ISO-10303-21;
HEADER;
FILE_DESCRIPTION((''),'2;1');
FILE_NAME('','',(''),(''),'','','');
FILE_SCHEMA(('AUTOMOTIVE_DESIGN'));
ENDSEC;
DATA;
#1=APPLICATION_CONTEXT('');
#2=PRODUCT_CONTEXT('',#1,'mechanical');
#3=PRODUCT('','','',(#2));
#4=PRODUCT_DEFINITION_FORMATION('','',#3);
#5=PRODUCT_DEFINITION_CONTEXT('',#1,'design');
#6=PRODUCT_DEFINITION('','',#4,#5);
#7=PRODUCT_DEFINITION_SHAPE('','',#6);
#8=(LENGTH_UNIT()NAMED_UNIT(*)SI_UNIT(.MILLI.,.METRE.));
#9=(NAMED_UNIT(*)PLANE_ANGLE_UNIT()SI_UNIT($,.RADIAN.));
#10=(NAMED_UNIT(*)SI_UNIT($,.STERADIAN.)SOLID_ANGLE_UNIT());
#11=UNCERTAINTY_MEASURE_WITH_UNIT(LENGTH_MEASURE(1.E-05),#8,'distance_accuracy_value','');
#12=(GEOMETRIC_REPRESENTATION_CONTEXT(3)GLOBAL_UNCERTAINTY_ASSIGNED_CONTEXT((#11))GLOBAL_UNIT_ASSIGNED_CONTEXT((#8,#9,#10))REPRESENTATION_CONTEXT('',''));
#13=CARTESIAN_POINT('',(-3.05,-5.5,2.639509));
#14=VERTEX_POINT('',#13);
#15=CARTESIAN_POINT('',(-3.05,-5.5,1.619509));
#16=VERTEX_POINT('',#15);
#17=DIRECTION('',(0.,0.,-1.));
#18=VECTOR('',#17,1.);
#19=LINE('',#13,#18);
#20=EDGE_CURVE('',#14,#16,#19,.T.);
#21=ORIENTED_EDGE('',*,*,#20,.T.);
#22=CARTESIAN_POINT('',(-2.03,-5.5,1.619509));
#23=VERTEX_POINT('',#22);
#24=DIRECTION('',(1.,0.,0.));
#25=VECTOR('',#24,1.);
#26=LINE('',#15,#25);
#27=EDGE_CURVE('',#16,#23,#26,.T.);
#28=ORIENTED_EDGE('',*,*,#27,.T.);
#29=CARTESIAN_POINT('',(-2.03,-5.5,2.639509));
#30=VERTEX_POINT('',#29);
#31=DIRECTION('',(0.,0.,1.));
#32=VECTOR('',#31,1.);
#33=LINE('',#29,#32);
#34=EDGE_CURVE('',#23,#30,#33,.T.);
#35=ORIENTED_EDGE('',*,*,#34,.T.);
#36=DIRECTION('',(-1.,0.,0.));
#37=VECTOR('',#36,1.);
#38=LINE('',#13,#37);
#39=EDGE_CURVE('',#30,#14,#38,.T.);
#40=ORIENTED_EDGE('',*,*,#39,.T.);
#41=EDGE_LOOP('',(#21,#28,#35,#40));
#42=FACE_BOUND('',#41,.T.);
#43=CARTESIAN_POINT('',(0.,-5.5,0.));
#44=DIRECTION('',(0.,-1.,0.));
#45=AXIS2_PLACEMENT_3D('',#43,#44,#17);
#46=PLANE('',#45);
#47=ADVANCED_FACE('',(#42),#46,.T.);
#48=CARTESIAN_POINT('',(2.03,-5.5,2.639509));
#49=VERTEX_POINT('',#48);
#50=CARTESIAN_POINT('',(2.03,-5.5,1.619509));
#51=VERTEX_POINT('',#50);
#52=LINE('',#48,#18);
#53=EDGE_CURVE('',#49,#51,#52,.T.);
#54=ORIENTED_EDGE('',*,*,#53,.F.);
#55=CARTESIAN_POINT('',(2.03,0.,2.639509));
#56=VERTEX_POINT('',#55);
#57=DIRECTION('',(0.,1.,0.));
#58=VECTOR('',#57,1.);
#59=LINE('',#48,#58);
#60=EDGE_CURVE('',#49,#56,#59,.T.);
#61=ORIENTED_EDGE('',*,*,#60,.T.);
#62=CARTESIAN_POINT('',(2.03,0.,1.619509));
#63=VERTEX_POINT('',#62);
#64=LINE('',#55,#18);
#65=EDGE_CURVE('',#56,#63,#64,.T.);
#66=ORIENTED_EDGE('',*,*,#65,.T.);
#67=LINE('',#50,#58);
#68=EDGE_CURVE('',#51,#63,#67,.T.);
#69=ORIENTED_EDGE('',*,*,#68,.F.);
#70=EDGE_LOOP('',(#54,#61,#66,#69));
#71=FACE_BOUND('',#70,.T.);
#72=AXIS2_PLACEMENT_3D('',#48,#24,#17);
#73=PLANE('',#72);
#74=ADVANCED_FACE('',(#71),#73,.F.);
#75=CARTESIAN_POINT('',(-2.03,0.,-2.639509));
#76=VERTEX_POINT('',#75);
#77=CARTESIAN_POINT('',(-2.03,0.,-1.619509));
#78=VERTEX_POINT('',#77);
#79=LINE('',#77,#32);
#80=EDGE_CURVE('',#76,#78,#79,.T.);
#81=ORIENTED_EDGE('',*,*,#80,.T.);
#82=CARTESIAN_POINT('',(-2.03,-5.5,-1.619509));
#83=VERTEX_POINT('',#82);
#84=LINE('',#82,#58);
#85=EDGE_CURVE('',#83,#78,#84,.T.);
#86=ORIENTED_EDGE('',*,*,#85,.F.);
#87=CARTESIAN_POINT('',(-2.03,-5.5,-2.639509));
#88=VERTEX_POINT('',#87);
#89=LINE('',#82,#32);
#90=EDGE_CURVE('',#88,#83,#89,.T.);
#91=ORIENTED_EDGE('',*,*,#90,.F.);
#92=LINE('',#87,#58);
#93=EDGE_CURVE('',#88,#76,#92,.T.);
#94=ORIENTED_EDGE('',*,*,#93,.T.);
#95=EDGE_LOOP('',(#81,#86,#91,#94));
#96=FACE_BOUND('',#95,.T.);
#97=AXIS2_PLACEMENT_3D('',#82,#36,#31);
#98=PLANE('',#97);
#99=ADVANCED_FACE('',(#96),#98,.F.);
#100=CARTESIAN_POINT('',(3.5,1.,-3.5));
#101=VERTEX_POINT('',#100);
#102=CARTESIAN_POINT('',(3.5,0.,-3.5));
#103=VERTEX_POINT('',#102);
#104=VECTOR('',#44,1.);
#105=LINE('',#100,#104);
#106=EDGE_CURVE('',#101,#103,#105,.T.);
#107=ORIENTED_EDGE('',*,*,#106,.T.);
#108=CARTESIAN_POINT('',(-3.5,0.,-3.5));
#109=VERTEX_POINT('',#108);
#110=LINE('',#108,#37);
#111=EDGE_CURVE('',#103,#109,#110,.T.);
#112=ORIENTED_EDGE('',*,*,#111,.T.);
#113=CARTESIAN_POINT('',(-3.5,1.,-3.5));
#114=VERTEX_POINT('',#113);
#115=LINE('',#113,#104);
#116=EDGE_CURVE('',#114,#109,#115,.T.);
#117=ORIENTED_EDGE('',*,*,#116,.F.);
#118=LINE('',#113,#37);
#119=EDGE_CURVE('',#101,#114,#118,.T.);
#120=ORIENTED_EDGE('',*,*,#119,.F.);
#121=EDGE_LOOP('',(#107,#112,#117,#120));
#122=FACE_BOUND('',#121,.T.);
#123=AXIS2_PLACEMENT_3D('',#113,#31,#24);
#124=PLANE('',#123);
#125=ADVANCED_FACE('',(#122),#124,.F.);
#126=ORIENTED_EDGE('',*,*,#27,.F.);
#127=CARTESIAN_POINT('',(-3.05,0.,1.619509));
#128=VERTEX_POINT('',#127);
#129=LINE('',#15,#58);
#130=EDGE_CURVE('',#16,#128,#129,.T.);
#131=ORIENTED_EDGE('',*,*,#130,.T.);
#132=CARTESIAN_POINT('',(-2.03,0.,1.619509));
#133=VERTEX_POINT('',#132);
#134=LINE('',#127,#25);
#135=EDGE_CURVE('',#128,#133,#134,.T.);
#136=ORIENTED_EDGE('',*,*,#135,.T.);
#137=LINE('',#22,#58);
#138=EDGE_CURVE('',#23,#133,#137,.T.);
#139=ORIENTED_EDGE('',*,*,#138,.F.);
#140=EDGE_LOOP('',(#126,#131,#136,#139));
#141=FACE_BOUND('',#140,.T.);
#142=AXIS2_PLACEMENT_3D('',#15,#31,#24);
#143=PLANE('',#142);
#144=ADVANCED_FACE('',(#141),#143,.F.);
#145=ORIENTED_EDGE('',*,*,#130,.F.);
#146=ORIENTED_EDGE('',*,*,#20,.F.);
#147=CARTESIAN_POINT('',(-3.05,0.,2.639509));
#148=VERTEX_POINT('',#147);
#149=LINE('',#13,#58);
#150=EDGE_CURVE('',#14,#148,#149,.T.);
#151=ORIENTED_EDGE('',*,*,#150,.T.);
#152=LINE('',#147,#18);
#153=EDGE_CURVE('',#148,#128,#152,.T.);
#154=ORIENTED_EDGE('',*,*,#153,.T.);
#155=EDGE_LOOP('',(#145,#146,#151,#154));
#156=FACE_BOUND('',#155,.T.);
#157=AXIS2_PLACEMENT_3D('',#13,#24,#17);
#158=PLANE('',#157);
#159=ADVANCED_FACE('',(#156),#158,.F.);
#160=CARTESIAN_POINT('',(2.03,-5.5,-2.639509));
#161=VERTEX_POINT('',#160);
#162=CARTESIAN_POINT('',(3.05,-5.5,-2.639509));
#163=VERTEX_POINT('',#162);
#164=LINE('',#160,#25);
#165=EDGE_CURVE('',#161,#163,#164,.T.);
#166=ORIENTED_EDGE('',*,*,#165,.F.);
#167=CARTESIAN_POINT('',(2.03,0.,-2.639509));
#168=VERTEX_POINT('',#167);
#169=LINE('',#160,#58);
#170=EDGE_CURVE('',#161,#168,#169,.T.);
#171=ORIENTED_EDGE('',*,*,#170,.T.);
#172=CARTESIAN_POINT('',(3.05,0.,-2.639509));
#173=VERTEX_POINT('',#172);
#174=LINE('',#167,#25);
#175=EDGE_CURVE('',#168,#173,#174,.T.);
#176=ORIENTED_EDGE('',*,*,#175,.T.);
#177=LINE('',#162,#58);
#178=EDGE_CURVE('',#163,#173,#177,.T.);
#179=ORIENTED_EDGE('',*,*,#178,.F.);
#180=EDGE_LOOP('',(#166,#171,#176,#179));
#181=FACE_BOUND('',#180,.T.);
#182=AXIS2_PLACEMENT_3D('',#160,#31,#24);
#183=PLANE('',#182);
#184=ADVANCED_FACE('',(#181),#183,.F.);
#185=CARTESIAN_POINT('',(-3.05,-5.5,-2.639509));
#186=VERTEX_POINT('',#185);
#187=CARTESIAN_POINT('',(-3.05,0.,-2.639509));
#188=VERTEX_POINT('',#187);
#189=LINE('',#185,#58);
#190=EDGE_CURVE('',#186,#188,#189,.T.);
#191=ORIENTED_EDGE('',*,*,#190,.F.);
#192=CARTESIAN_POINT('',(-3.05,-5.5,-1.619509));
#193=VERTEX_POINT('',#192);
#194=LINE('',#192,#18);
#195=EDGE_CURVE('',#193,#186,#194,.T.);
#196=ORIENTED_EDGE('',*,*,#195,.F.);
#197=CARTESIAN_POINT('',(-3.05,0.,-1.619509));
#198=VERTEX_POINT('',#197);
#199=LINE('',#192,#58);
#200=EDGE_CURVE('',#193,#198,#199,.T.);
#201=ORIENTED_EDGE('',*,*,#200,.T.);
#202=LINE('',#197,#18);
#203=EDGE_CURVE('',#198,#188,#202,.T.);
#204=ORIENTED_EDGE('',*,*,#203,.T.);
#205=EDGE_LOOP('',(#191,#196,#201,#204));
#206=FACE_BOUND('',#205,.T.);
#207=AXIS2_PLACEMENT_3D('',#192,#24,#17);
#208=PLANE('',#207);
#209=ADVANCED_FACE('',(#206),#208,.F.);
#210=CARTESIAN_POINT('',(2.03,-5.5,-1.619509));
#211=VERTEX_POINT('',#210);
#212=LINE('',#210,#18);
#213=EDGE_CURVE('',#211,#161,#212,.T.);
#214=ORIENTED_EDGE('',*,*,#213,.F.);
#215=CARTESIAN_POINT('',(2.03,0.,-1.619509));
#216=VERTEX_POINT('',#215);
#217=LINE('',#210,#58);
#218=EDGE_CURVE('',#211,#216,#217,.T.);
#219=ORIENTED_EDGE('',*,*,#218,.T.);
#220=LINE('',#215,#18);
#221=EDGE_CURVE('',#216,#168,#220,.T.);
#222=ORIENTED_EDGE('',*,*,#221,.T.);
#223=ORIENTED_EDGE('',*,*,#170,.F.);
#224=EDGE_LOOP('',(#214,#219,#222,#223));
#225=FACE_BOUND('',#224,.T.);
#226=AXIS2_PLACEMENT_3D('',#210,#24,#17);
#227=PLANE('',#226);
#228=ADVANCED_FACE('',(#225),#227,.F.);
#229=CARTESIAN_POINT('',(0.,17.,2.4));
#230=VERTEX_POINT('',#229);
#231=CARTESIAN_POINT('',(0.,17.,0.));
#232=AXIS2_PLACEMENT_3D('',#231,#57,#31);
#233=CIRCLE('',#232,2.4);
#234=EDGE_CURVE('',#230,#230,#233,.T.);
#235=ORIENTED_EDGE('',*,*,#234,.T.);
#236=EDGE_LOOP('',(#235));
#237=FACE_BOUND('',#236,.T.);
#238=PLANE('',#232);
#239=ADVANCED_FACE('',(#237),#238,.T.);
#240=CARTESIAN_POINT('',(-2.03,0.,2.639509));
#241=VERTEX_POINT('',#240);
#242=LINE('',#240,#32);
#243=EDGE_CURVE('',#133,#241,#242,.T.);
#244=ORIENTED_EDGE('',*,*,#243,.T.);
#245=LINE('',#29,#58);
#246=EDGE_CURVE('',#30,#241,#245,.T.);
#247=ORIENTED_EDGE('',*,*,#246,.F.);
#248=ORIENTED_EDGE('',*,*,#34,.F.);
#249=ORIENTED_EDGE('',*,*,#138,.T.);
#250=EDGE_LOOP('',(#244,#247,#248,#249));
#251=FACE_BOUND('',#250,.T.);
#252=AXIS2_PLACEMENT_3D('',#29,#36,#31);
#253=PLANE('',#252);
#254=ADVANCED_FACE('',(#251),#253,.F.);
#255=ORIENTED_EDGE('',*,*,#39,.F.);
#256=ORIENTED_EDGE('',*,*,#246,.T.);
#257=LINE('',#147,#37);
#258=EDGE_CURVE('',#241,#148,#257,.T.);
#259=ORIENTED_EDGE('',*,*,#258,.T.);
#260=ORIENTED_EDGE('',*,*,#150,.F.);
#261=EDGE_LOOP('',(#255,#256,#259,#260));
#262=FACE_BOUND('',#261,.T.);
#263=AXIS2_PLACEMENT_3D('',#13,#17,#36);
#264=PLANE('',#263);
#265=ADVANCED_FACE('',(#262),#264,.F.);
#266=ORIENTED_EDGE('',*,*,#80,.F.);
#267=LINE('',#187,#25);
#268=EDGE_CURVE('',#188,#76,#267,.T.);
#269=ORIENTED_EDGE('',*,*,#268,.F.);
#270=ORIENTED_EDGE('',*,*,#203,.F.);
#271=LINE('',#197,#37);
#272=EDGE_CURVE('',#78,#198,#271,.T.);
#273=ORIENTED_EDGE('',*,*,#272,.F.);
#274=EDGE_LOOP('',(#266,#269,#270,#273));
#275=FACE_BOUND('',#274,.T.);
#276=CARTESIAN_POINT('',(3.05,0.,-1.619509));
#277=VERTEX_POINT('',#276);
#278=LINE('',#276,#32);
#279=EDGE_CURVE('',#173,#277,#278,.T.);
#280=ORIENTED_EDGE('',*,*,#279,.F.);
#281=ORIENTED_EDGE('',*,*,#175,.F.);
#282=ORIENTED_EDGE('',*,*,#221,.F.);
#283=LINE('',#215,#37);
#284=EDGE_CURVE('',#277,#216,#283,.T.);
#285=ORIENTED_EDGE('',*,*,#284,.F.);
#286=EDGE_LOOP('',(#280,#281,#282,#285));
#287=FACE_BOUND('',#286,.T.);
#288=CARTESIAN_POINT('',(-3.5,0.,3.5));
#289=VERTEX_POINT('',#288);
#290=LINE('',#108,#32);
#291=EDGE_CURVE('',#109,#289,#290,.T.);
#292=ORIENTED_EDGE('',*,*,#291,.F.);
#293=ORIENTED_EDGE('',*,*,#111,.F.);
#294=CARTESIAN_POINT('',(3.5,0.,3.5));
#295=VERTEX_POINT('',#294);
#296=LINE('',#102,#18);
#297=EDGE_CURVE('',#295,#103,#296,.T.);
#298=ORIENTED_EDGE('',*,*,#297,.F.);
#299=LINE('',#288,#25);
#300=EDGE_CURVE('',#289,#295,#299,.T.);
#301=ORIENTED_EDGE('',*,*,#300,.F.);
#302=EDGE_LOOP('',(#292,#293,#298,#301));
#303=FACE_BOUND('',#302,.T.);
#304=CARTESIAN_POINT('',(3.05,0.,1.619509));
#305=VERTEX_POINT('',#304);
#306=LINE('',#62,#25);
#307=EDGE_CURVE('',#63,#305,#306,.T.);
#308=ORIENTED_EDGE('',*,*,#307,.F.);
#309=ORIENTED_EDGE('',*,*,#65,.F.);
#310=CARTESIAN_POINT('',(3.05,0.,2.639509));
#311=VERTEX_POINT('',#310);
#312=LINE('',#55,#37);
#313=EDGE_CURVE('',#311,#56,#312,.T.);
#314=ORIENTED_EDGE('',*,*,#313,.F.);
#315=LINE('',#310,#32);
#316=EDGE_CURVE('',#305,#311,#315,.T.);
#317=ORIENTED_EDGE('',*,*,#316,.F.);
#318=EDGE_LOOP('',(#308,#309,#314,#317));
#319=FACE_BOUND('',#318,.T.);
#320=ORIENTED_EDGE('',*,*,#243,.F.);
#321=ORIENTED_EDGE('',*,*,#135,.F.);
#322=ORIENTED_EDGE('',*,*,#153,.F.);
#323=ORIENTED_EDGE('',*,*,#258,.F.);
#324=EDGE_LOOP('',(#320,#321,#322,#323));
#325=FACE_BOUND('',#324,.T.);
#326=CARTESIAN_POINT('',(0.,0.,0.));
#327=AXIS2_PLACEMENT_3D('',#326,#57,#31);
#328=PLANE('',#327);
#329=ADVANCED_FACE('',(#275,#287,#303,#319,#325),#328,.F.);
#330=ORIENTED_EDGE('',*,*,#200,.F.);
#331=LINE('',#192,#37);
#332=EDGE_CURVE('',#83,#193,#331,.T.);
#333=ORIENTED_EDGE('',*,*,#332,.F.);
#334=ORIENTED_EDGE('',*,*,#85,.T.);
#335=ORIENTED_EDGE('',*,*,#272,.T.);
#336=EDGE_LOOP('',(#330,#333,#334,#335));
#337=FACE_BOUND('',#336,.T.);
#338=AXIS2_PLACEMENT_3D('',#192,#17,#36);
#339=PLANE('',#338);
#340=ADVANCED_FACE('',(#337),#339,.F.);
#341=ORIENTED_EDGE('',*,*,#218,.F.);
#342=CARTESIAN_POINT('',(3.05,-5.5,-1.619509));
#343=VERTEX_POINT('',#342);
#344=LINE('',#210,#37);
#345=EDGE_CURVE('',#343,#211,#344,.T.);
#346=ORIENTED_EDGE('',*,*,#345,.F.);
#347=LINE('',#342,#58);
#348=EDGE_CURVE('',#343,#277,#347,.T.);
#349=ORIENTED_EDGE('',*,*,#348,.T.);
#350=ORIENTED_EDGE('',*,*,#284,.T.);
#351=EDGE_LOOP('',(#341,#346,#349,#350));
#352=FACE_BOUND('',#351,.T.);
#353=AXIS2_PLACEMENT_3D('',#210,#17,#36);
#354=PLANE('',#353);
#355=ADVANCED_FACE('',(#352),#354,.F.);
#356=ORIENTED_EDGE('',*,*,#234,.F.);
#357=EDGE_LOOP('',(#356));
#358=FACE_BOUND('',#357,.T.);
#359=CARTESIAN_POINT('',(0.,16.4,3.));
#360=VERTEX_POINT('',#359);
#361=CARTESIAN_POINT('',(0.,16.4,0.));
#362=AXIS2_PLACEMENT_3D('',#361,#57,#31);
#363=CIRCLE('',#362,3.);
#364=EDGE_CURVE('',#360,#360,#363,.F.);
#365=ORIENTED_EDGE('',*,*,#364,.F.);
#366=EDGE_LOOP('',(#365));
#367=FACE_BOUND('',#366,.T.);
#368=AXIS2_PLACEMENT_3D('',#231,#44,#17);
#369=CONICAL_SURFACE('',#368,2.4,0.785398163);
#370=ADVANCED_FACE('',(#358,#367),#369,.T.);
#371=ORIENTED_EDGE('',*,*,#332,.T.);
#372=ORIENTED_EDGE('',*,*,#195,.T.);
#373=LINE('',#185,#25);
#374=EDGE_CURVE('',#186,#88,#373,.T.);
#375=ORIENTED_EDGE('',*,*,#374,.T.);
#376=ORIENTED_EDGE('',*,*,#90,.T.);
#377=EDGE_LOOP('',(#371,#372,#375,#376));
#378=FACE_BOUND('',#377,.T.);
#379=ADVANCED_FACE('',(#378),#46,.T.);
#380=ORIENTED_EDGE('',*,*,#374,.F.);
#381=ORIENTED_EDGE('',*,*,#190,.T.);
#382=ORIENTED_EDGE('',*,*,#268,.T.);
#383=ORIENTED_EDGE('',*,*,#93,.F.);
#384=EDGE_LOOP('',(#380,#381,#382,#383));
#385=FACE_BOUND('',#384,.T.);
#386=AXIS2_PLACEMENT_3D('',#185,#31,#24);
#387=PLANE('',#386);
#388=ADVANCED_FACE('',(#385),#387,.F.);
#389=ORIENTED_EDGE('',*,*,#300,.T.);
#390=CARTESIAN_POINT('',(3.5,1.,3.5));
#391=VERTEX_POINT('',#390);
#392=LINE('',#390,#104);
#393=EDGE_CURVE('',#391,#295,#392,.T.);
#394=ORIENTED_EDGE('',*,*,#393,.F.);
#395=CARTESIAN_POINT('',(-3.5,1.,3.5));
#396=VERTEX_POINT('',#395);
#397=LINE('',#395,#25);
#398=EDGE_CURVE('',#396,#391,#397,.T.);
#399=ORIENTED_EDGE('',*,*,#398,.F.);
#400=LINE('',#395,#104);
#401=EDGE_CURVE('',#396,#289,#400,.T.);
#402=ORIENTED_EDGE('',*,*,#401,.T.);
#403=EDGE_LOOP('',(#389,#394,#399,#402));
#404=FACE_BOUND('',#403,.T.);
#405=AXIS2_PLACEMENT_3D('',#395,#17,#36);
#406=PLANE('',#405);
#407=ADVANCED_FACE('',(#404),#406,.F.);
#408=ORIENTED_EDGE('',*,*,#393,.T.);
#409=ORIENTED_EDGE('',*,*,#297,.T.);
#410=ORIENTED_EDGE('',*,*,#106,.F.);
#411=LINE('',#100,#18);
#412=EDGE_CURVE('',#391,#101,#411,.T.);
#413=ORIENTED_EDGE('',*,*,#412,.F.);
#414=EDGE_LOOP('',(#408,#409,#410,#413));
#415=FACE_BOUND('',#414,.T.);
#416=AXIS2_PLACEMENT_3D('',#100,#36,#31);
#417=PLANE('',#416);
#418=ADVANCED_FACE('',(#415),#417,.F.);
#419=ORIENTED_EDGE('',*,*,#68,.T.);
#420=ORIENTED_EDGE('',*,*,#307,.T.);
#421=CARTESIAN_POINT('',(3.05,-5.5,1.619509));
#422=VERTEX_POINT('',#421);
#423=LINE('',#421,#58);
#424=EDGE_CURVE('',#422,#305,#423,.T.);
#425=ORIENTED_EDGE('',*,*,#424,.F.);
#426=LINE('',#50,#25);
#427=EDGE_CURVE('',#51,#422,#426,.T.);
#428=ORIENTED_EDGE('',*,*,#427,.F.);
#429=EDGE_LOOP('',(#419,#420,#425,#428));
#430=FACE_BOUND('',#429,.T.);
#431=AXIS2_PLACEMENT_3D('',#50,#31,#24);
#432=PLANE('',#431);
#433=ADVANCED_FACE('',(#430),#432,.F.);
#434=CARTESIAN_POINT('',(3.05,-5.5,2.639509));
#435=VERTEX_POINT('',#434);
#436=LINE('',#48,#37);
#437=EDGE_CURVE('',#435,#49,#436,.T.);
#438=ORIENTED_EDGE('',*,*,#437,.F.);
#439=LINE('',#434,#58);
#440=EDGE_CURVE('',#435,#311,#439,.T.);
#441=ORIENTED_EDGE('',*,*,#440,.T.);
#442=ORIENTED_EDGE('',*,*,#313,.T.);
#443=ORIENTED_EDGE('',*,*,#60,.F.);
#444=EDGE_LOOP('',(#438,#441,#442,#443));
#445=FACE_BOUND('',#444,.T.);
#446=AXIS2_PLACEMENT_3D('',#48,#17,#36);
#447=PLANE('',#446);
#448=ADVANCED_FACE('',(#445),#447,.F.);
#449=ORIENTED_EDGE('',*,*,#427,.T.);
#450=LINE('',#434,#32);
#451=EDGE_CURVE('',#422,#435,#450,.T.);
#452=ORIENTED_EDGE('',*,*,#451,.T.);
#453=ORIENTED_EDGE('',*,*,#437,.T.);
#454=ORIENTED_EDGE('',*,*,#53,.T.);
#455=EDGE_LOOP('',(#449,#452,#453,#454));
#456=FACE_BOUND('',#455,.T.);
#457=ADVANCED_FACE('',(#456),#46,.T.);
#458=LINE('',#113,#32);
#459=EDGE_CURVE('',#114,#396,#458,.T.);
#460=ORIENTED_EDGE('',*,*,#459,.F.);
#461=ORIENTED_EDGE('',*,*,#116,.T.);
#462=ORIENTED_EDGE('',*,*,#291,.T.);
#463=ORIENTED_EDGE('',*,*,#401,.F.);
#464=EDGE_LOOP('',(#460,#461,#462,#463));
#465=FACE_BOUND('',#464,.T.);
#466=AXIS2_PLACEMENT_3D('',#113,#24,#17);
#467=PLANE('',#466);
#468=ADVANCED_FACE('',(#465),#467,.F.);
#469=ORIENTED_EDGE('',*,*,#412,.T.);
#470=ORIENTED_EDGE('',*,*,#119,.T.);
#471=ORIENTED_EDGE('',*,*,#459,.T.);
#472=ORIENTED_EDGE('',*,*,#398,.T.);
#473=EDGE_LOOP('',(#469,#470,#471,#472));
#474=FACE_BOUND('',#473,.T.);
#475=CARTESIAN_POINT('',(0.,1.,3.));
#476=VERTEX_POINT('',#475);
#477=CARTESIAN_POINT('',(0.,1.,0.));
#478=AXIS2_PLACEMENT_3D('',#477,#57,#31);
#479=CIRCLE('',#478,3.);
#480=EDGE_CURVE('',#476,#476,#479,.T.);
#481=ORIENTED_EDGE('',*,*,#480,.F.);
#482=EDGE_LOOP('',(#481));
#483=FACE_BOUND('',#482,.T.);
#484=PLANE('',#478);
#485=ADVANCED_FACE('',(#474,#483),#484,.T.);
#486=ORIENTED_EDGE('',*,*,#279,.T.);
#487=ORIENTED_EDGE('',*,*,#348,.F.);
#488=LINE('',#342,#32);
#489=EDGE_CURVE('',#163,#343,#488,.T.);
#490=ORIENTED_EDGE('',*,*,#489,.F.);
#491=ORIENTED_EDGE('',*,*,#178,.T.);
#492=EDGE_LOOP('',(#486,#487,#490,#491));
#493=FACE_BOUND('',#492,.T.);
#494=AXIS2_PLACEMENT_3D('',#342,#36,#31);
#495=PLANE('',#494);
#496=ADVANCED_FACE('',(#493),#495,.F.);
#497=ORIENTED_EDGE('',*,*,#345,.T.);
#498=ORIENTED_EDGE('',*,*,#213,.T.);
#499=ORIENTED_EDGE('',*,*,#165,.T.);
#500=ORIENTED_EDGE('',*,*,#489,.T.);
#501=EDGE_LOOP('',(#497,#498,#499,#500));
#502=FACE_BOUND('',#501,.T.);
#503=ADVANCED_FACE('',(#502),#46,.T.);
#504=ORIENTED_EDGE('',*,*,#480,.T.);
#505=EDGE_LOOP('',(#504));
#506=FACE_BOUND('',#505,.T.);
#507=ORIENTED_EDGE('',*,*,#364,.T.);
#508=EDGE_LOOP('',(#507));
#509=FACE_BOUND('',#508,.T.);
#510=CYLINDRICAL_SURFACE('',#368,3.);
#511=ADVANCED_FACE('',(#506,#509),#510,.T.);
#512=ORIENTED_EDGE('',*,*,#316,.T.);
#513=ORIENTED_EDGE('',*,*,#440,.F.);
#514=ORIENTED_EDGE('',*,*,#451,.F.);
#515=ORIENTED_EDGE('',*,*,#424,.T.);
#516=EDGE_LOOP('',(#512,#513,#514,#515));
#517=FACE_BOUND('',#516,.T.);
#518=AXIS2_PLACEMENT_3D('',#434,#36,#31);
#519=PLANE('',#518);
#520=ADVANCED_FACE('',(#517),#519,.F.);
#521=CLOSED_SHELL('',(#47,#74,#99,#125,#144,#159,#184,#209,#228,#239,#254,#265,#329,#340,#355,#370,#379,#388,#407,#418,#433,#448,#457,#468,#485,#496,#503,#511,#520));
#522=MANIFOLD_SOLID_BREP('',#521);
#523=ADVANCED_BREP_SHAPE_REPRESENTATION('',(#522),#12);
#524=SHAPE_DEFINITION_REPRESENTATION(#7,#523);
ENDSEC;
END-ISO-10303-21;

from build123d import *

# Parameters (mm, degrees)
SKETCH1_W           = 7
SKETCH1_H           = 7
BOSS_EXTRUDE1_DEPTH = 1
SKETCH2_W           = 1.02
SKETCH2_H           = 1.02
BOSS_EXTRUDE2_DEPTH = 5.5
SKETCH4_R           = 3
BOSS_EXTRUDE3_DEPTH = 16
CHAMFER1_SIZE       = 0.6


with BuildPart() as part:
    # Sketch1 → Boss-Extrude1 (new body)
    with BuildSketch(Plane(origin=(0, 0, 0), x_dir=(1, 0, 0), z_dir=(0, 1, 0))):
        Rectangle(SKETCH1_W, SKETCH1_H)
    extrude(amount=BOSS_EXTRUDE1_DEPTH)

    # Sketch2 → Boss-Extrude2 (add)
    with BuildSketch(Plane.XZ):
        with Locations((-2.54, 2.129508614)):
            Rectangle(SKETCH2_W, SKETCH2_H)
        with Locations((-2.54, -2.129508614)):
            Rectangle(SKETCH2_W, SKETCH2_H)
        with Locations((2.54, 2.129508614)):
            Rectangle(SKETCH2_W, SKETCH2_H)
        with Locations((2.54, -2.129508614)):
            Rectangle(SKETCH2_W, SKETCH2_H)
    extrude(amount=BOSS_EXTRUDE2_DEPTH)

    # Sketch4 → Boss-Extrude3 (add)
    with BuildSketch(Plane(origin=(0, 1, 0), x_dir=(1, 0, 0), z_dir=(0, 1, 0))):
        with Locations(Location((0, 0, 0), (0, 0, 270))):
            Circle(SKETCH4_R)
    extrude(amount=BOSS_EXTRUDE3_DEPTH)

    # Chamfer1
    chamfer1_edges = [part.edges().sort_by_distance(p)[0] for p in [
        (0, 17, -3),
    ]]
    chamfer(chamfer1_edges, length=CHAMFER1_SIZE)


solid = part.part
